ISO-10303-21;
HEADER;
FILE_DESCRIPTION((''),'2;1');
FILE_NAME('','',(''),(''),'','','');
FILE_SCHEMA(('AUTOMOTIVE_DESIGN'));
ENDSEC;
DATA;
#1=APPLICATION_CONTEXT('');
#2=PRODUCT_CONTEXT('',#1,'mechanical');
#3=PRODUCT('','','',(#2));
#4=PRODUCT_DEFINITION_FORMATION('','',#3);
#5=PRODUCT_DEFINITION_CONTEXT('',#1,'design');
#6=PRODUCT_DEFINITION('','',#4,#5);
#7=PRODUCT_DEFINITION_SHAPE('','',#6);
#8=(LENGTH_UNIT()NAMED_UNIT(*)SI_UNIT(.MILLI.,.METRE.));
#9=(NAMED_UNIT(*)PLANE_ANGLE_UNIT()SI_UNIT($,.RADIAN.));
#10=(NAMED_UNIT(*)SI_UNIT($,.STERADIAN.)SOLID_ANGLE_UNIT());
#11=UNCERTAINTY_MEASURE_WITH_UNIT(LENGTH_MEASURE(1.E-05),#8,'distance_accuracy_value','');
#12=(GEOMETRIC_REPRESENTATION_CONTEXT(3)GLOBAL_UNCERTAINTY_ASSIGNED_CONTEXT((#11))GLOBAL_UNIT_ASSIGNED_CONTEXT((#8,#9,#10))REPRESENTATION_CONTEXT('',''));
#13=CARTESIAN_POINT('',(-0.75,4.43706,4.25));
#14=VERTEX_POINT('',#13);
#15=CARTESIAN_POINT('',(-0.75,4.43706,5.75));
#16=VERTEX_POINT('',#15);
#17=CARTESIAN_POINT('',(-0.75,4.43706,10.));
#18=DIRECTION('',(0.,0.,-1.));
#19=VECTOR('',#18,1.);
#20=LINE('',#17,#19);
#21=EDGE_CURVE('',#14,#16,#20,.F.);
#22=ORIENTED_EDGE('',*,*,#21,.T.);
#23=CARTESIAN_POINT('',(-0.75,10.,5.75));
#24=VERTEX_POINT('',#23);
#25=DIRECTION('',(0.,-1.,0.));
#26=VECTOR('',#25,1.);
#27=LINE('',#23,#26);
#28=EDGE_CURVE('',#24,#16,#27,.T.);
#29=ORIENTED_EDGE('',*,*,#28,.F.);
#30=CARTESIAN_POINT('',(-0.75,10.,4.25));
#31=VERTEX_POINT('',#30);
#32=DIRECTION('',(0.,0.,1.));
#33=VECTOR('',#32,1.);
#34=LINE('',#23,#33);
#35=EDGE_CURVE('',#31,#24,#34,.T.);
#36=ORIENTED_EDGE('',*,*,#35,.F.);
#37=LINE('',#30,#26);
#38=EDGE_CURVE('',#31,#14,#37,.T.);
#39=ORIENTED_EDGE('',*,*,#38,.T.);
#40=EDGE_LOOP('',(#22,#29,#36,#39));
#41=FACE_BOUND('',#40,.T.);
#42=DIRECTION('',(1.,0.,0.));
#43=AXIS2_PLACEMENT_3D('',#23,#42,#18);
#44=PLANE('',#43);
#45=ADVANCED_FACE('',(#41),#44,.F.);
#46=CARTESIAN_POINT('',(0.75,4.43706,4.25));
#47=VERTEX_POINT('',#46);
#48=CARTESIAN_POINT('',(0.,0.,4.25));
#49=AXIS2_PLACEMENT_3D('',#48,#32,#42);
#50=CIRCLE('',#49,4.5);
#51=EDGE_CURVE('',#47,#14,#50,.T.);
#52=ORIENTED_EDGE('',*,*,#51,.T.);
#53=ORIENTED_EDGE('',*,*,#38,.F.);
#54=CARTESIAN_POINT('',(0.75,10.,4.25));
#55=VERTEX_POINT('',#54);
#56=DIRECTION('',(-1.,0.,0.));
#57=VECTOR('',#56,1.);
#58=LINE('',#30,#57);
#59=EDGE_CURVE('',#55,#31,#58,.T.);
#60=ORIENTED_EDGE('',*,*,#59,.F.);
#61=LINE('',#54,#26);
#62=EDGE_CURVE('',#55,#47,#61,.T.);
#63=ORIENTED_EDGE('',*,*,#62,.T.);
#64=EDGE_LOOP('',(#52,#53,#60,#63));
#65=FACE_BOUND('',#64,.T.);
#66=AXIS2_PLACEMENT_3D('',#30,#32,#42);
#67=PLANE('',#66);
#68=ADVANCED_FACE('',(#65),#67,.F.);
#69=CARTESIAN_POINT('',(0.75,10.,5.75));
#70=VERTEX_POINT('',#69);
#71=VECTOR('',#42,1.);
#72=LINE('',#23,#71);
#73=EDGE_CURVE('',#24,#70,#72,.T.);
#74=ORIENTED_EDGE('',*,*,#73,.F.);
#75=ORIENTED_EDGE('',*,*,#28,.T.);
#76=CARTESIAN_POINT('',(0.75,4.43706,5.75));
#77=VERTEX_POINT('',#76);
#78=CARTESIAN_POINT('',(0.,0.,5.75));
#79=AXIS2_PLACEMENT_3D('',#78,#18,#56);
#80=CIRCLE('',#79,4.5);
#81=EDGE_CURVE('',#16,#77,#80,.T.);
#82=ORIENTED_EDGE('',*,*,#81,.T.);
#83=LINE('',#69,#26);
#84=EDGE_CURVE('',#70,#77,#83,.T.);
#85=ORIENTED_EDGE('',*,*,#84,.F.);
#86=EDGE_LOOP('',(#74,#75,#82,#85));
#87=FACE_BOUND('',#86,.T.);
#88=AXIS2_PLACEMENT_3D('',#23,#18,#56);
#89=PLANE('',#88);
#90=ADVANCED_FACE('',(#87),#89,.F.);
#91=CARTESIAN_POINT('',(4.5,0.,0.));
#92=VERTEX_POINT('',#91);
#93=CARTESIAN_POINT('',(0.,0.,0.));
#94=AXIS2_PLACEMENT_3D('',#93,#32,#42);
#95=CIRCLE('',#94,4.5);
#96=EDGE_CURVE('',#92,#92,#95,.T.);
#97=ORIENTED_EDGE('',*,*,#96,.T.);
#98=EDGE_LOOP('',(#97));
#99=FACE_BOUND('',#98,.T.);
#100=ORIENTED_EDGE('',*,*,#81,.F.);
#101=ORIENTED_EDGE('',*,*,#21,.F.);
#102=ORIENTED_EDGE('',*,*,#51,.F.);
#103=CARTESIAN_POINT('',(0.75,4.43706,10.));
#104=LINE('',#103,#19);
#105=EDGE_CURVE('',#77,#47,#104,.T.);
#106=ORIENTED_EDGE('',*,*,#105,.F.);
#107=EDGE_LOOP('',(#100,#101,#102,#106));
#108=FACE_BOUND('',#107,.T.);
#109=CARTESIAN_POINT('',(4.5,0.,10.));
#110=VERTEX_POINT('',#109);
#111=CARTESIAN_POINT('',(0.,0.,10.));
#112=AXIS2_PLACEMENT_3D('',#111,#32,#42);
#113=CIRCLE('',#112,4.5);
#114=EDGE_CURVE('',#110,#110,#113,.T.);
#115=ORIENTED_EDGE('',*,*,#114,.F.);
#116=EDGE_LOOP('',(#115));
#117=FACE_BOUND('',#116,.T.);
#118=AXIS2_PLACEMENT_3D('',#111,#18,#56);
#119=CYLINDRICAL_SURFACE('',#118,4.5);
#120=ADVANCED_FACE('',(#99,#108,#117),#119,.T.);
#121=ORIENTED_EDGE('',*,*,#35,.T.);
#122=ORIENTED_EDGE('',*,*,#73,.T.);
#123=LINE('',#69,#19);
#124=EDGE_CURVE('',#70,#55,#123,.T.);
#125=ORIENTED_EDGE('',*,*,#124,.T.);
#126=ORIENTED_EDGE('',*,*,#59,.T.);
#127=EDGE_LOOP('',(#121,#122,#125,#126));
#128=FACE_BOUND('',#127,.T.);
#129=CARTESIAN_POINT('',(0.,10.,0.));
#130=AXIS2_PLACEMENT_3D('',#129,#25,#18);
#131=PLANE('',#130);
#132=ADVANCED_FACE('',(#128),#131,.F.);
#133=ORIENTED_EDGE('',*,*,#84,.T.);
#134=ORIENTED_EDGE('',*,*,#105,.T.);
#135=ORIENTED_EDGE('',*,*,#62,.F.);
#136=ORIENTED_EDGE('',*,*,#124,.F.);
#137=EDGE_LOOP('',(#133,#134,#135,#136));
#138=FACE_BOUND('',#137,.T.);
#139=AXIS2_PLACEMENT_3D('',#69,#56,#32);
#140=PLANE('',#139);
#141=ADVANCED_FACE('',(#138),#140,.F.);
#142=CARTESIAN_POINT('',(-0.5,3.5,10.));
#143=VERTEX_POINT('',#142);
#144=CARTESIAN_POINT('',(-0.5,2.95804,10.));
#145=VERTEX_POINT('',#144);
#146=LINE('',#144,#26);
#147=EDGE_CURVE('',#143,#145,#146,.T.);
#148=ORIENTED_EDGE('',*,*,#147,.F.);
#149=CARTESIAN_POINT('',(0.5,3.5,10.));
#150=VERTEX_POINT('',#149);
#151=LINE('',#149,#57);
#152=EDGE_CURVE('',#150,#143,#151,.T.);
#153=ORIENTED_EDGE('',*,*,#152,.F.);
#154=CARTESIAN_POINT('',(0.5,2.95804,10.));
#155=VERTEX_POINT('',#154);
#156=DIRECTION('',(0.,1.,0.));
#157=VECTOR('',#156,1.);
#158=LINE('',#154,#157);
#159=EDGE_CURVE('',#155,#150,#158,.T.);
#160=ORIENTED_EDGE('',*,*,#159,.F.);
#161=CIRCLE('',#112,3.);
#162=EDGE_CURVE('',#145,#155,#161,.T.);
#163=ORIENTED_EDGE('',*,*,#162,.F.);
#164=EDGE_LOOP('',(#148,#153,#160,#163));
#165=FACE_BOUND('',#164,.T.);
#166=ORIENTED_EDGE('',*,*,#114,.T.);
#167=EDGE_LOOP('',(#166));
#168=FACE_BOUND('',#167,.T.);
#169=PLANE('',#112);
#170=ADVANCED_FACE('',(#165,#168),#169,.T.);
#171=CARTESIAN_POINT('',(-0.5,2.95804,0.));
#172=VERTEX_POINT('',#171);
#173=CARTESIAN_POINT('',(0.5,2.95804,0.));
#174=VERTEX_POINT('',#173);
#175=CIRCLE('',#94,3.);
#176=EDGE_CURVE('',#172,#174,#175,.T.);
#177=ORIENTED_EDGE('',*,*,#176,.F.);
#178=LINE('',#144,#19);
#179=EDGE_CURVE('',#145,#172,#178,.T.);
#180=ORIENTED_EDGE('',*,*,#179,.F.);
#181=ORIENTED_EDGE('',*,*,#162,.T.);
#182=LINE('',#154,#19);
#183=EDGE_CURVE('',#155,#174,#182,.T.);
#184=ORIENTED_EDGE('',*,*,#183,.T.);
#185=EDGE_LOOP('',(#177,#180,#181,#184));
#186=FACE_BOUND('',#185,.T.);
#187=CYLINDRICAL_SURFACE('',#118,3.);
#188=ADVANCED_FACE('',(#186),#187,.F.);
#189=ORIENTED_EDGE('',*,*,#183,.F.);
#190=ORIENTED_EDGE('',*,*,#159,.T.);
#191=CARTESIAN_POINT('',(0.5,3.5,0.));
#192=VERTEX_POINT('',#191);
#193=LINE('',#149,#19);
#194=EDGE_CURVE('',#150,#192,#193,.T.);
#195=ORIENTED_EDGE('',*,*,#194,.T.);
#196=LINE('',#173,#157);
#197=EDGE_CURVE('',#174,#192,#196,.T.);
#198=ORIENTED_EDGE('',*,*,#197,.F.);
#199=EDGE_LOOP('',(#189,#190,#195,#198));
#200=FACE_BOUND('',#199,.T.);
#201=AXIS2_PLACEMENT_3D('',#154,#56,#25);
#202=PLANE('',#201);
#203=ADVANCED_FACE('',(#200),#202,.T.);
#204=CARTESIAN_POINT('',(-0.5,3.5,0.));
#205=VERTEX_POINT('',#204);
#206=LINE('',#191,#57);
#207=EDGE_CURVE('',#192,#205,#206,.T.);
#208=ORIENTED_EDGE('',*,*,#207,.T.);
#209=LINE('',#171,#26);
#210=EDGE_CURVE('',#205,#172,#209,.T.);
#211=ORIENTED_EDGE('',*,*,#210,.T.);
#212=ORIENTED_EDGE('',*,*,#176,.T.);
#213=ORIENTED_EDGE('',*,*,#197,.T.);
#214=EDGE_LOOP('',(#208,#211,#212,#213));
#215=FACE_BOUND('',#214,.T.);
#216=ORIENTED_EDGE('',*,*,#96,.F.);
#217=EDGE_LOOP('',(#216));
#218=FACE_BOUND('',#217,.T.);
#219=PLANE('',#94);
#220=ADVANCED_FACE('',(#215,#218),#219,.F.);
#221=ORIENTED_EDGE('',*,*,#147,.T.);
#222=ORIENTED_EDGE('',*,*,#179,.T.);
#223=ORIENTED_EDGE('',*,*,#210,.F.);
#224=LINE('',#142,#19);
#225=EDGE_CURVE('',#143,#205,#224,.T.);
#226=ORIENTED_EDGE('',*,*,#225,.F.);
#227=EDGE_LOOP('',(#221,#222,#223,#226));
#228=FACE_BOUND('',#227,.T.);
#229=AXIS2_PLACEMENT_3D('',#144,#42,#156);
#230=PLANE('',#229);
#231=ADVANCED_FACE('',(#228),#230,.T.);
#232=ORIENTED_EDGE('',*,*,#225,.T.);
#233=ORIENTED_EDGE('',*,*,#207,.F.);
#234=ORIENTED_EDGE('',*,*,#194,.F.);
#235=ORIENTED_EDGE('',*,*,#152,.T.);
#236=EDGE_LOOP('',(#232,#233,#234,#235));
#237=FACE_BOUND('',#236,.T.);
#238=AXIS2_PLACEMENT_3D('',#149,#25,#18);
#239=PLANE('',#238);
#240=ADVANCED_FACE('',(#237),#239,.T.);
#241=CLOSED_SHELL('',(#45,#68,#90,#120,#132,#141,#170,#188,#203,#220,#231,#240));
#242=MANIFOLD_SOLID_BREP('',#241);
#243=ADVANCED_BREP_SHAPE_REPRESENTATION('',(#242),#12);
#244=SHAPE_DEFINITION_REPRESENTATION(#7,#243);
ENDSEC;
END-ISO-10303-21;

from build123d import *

# Parameters (mm, degrees)
SKETCH1_R           = 4.5
BOSS_EXTRUDE1_DEPTH = 10
BOSS_EXTRUDE3_START = 4
SKETCH3_W           = 1.5
SKETCH3_H           = 1.5
BOSS_EXTRUDE3_DEPTH = 6


with BuildPart() as part:
    # Sketch1 → Boss-Extrude1 (new body)
    with BuildSketch(Plane.XY):
        Circle(SKETCH1_R)
        with BuildLine():
            Line((0.5, 2.958039892), (0.5, 3.5))
            Line((0.5, 3.5), (-0.5, 3.5))
            Line((-0.5, 3.5), (-0.5, 2.958039892))
            ThreePointArc((-0.5, 2.958039892), (0, -3), (0.5, 2.958039892))
        make_face(mode=Mode.SUBTRACT)
    extrude(amount=BOSS_EXTRUDE1_DEPTH)

    # Sketch3 → Boss-Extrude3 (add)
    with BuildSketch(Plane(origin=(0, 0, 0), x_dir=(1, 0, 0), z_dir=(0, 1, 0)).offset(BOSS_EXTRUDE3_START)):
        with Locations((0, -5)):
            Rectangle(SKETCH3_W, SKETCH3_H)
    extrude(amount=BOSS_EXTRUDE3_DEPTH)


solid = part.part
